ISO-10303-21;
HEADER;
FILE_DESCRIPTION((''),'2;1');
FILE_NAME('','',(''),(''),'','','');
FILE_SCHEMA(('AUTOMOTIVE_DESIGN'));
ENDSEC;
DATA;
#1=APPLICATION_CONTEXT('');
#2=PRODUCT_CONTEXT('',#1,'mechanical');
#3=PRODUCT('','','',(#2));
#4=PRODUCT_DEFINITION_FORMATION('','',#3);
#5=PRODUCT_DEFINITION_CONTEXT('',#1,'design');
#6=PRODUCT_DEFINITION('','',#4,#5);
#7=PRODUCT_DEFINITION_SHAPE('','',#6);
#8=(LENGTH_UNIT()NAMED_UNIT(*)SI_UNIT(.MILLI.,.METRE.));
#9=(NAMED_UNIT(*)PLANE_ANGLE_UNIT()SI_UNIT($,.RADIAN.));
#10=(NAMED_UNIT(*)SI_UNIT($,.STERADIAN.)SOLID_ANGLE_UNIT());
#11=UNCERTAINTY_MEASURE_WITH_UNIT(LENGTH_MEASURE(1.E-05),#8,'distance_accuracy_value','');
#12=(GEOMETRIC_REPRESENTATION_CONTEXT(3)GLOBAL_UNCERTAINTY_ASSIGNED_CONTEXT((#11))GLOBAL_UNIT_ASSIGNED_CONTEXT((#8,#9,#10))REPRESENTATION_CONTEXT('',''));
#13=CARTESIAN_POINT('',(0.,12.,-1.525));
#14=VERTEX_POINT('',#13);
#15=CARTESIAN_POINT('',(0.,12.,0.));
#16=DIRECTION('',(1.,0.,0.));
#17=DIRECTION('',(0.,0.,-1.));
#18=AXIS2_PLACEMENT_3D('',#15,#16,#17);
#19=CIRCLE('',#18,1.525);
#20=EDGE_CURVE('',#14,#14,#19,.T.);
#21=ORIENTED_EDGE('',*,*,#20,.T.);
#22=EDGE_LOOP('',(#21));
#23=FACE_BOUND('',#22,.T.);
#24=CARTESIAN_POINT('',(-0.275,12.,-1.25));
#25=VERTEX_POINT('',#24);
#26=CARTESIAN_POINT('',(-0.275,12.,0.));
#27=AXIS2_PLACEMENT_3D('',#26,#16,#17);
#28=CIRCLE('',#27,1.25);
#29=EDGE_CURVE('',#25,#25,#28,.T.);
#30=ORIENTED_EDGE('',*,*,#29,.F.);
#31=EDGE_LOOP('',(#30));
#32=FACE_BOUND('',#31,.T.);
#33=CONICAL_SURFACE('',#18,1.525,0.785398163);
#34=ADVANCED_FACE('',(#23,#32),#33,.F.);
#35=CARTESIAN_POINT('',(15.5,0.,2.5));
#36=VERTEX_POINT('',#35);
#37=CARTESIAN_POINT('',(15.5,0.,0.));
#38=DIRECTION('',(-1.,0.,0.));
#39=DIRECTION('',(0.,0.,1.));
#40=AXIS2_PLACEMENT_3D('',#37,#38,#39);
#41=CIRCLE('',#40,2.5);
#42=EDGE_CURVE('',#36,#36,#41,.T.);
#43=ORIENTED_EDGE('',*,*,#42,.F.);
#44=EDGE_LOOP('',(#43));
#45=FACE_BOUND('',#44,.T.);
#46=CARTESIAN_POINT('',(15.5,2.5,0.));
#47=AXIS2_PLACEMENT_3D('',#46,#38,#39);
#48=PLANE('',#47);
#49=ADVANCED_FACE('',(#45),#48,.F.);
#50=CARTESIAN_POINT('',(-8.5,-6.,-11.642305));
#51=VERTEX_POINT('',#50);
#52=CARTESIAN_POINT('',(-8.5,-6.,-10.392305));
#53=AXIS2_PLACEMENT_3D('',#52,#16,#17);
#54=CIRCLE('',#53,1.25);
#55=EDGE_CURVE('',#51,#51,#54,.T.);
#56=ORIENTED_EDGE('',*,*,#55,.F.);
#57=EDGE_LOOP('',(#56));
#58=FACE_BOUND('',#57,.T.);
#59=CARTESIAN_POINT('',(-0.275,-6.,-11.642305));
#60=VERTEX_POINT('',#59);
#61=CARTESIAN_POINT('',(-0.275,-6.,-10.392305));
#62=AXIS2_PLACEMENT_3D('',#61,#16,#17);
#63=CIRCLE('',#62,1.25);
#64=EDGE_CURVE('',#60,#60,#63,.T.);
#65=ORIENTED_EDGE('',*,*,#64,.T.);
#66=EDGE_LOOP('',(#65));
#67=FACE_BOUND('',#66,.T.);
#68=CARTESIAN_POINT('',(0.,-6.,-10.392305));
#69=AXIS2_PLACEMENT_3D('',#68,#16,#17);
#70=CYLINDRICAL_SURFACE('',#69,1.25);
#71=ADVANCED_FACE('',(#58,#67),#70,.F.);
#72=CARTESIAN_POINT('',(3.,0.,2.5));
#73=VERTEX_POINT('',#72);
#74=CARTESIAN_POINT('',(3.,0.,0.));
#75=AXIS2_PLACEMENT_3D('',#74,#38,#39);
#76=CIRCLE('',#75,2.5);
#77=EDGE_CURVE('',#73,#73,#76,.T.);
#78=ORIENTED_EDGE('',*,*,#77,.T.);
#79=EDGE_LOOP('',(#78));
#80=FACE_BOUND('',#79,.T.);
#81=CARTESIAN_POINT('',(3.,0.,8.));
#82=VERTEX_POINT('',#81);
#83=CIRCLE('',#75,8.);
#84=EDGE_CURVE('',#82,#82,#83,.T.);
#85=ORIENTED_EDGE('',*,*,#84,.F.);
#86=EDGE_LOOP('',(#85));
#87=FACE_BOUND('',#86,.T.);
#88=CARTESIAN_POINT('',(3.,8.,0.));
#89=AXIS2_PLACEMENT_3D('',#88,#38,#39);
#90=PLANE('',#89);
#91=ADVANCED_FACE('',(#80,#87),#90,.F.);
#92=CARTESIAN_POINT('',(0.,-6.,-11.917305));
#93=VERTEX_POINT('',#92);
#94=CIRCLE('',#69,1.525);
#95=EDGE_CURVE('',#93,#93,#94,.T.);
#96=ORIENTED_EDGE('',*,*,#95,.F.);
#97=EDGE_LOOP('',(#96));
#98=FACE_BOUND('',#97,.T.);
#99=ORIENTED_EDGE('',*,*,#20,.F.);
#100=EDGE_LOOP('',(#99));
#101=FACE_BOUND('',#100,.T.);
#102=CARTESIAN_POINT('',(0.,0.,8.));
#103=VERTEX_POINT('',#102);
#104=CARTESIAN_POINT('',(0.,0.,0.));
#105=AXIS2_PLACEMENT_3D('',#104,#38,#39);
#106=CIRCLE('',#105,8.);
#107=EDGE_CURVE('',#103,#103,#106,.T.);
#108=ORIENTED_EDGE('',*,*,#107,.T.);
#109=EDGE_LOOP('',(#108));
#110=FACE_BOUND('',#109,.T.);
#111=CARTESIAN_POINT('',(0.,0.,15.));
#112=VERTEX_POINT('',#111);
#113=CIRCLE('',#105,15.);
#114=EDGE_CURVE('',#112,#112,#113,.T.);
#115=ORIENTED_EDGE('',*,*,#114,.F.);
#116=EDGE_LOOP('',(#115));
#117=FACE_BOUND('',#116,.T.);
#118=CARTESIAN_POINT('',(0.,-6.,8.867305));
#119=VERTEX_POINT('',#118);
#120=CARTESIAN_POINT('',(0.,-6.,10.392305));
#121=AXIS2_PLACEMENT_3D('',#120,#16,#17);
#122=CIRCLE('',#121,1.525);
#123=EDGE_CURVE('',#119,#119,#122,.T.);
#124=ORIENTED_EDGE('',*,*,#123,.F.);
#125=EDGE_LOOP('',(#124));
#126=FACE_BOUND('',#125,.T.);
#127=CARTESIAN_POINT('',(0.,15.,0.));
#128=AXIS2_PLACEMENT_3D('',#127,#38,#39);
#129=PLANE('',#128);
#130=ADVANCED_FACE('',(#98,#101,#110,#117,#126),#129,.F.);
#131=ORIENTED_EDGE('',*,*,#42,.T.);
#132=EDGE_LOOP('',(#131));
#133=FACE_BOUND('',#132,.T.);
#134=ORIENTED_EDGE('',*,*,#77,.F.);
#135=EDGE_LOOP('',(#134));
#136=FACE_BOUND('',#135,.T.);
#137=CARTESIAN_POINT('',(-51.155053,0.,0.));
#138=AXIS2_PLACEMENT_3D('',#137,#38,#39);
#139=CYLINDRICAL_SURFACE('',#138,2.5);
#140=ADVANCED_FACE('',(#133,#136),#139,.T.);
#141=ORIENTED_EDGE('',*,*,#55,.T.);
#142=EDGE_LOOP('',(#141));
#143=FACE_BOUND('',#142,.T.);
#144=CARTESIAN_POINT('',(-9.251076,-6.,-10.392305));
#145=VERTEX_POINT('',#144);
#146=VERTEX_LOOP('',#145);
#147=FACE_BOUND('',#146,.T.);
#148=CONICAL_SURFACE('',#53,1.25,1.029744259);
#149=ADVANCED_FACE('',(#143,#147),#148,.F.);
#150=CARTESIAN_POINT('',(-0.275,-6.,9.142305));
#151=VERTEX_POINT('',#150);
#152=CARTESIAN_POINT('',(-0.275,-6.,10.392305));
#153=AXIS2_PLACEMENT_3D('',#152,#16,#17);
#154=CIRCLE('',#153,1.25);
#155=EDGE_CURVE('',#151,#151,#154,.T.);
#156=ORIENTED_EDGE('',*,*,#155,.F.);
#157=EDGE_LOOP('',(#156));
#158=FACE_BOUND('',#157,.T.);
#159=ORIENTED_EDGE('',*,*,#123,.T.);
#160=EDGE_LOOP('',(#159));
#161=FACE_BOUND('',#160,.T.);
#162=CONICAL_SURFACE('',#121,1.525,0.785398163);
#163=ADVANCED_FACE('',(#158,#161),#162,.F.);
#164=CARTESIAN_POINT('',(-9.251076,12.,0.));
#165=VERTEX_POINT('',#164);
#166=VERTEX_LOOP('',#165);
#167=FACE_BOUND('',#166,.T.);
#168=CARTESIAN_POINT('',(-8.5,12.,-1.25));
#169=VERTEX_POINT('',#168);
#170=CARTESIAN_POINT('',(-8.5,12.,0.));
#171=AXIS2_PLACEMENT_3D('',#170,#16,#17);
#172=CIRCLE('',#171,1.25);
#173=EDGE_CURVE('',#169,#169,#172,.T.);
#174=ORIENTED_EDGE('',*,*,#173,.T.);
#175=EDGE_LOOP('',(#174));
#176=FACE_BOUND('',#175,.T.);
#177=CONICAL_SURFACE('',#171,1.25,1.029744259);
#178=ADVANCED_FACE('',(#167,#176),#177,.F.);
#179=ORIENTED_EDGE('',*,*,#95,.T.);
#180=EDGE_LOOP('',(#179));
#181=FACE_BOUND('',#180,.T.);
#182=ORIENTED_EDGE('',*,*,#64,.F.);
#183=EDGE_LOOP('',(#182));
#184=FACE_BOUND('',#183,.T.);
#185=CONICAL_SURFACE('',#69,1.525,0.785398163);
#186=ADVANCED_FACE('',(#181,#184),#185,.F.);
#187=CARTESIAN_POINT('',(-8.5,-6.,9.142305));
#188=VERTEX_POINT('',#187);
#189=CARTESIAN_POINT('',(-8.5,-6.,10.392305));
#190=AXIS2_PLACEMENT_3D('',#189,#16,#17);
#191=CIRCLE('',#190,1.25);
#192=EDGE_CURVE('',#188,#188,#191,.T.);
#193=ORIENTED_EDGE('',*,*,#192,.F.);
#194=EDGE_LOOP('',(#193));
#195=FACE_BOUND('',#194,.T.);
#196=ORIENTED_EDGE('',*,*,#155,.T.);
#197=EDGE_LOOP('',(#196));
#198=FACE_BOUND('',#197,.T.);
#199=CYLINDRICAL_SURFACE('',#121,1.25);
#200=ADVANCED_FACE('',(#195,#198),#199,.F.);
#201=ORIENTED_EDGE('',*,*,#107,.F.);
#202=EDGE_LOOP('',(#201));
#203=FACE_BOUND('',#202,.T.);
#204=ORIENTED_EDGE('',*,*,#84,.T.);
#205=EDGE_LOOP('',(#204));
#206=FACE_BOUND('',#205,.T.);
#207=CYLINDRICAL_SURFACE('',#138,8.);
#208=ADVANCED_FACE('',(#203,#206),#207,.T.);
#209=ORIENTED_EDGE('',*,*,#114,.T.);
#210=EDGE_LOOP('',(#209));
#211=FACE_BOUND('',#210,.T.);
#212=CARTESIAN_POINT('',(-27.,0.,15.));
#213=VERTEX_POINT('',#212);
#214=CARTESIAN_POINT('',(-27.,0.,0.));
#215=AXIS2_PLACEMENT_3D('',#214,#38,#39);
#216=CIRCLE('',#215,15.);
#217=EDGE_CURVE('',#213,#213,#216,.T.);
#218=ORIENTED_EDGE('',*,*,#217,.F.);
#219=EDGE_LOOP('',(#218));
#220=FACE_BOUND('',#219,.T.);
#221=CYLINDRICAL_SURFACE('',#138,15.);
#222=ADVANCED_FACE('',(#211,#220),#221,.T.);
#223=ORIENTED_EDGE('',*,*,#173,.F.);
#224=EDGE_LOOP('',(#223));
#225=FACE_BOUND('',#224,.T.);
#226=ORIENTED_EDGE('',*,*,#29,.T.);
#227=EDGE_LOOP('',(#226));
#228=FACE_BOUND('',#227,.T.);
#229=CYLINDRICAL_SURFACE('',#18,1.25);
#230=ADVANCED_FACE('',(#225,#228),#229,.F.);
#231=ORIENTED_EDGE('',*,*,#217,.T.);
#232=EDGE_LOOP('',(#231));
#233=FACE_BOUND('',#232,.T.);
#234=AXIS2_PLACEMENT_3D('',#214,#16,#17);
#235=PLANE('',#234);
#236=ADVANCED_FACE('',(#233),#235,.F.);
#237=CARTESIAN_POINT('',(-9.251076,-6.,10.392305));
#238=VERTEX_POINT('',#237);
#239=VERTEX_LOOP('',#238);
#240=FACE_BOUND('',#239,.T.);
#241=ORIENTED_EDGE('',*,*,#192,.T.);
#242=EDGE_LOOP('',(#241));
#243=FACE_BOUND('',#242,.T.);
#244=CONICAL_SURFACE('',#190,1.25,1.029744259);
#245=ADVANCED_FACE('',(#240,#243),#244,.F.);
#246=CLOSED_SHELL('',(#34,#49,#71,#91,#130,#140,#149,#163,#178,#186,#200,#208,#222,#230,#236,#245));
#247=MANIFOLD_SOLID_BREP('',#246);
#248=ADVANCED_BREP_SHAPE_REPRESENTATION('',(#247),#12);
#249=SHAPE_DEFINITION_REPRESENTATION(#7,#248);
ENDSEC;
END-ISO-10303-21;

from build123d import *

# Parameters (mm, degrees)
TROU_TARAUD_M3X0_51_D           = 2.5
TROU_TARAUD_M3X0_51_DEPTH       = 8.5
TROU_TARAUD_M3X0_51_CSINK_D     = 3.05
TROU_TARAUD_M3X0_51_CSINK_ANGLE = 90
TROU_TARAUD_M3X0_51_TIP         = 0.751075774


with BuildPart() as part:
    # Esquisse1 → Révolution1 (revolve)
    with BuildSketch(Plane.XY):
        Polygon((15.5, 2.5), (15.5, 0), (-27, 0), (-27, 15), (0, 15), (0, 8), (3, 8), (3, 2.5), align=None)
    revolve(axis=Axis((-51.155053474, 0, 0), (1, 0, 0)))

    # Trou taraudé M3x0.51
    with Locations(Plane(origin=(0, 0, 0), x_dir=(0, 0, -1), z_dir=(1, 0, 0))):
        with Locations((0, 12), (-10.392304845, -6), (10.392304845, -6)):
            CounterSinkHole(TROU_TARAUD_M3X0_51_D / 2, TROU_TARAUD_M3X0_51_CSINK_D / 2, depth=TROU_TARAUD_M3X0_51_DEPTH, counter_sink_angle=TROU_TARAUD_M3X0_51_CSINK_ANGLE)
            with Locations((0, 0, -(TROU_TARAUD_M3X0_51_DEPTH + TROU_TARAUD_M3X0_51_TIP / 2))):  # 118° drill point
                Cone(0, TROU_TARAUD_M3X0_51_D / 2, TROU_TARAUD_M3X0_51_TIP, mode=Mode.SUBTRACT)


solid = part.part
